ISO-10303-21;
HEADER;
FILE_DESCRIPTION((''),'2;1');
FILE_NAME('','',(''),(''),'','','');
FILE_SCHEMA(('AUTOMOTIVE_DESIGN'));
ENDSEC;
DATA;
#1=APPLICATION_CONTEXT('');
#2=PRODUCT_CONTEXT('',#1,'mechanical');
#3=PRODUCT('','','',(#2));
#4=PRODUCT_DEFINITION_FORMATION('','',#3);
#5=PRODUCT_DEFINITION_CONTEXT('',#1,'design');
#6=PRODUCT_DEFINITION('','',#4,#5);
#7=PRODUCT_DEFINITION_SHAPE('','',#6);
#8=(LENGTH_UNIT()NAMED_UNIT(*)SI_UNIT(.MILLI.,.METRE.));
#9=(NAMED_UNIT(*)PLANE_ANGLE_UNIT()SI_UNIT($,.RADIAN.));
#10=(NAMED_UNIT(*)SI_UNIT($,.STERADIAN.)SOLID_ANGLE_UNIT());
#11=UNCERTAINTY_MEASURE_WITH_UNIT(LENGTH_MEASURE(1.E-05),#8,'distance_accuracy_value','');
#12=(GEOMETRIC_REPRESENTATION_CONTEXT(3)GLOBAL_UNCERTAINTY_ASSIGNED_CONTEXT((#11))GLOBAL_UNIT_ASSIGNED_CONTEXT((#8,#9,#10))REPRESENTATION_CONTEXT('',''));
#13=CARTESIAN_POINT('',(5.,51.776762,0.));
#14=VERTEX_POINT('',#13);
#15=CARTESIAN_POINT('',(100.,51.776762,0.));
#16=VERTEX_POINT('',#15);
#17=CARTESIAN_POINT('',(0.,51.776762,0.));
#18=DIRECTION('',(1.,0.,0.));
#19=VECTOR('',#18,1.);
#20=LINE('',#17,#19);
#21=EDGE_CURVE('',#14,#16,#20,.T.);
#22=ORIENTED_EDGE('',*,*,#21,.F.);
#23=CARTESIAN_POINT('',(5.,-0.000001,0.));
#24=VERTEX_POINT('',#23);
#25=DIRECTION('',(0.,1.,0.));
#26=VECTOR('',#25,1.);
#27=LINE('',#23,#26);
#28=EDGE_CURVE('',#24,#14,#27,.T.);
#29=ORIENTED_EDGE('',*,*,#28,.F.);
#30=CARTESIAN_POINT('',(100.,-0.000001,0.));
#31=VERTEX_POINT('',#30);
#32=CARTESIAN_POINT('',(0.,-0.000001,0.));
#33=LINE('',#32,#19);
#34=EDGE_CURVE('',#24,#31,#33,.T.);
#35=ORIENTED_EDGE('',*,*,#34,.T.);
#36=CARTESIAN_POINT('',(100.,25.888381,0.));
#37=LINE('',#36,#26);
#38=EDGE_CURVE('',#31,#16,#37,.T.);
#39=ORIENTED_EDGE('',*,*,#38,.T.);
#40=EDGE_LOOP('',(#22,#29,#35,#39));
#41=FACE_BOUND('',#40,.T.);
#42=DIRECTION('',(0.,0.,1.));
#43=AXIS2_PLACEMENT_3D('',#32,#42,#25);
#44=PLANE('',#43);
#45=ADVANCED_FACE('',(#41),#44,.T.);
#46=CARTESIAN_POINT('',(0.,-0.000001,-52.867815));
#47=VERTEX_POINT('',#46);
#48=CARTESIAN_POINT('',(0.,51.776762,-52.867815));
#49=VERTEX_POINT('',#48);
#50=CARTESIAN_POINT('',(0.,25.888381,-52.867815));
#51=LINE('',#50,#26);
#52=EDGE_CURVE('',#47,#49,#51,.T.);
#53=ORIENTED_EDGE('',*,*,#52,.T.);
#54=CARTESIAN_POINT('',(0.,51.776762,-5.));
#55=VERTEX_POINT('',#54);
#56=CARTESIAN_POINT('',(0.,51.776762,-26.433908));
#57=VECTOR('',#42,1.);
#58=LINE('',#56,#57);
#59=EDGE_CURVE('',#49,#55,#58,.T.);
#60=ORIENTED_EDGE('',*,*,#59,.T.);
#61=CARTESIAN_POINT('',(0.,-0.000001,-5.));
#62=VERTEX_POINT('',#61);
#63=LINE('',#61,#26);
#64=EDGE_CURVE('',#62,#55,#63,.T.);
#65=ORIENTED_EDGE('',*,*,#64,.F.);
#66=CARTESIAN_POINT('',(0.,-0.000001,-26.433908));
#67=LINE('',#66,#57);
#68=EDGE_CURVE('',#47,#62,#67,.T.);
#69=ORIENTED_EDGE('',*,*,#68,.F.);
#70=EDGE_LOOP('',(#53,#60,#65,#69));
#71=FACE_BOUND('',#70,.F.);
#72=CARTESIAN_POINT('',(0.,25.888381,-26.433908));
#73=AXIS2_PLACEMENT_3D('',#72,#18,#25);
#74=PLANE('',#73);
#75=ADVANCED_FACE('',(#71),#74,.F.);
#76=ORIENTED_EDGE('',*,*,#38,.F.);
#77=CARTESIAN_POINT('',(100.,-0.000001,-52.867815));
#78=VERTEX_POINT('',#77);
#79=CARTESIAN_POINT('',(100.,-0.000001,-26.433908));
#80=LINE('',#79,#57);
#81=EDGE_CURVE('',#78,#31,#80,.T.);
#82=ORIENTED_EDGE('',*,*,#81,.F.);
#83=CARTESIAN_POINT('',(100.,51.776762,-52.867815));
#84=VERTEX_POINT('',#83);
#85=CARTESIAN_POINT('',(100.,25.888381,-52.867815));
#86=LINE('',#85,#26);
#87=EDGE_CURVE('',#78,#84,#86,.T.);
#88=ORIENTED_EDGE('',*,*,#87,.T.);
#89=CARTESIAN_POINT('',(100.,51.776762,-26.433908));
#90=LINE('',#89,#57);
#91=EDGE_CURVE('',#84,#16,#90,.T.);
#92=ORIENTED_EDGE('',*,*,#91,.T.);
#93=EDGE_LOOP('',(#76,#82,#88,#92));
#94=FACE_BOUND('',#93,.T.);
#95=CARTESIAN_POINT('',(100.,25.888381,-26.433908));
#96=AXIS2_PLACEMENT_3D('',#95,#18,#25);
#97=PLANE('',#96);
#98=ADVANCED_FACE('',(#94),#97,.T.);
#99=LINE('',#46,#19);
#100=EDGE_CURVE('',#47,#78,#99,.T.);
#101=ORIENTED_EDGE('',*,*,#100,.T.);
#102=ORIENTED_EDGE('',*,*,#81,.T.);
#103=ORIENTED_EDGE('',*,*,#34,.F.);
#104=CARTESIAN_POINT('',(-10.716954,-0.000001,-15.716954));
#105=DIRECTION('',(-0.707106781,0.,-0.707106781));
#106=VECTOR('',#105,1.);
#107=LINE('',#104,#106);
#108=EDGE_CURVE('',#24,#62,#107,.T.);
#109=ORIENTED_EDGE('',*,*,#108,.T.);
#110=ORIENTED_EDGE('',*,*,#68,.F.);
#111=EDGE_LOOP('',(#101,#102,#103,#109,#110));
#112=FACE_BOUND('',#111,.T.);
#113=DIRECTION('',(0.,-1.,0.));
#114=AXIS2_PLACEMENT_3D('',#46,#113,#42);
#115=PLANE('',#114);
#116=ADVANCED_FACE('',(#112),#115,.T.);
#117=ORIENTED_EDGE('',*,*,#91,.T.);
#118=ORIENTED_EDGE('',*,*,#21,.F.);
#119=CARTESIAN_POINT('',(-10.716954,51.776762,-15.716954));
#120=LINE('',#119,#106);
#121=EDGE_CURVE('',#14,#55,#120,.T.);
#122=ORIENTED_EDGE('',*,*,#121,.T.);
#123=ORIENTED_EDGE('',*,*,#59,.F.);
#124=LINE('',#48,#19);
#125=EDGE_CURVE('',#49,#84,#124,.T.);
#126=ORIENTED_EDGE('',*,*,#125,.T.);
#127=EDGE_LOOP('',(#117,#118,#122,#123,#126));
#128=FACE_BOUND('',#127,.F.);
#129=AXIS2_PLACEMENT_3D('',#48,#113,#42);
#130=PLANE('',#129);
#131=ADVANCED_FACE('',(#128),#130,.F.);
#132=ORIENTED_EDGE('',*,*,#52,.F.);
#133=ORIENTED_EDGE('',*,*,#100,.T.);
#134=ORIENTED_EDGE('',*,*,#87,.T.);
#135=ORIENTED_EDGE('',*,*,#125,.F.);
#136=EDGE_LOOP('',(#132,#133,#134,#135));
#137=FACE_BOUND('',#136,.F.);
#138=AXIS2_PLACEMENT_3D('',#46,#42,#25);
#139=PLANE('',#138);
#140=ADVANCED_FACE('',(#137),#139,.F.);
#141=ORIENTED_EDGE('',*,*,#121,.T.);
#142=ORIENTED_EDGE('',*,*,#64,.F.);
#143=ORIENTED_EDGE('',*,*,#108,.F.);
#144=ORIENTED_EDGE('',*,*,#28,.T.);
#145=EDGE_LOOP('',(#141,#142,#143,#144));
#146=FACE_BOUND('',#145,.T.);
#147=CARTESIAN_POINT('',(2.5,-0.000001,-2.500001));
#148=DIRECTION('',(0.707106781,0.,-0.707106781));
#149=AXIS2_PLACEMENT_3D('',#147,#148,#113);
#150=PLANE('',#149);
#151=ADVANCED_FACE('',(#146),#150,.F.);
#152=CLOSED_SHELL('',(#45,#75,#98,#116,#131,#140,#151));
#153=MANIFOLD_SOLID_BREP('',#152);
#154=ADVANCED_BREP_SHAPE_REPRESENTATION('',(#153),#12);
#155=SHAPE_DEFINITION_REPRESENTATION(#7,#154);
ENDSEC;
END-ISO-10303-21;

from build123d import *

# Parameters (mm, degrees)
F0_W     = 51.776763
F0_H     = 52.867815
F1_DEPTH = 100
F2_SIZE  = 5


with BuildPart() as f1:
    # F0 (on Right) → F1 (new body)
    with BuildSketch(Plane.YZ):
        with Locations((25.888381, -26.433908)):
            Rectangle(F0_W, F0_H)
    extrude(amount=F1_DEPTH)

    # F2
    f2_edges = [f1.edges().sort_by_distance(p)[0] for p in [
        (0, 25.888382, 0),
    ]]
    chamfer(f2_edges, length=F2_SIZE)


solid = f1.part
